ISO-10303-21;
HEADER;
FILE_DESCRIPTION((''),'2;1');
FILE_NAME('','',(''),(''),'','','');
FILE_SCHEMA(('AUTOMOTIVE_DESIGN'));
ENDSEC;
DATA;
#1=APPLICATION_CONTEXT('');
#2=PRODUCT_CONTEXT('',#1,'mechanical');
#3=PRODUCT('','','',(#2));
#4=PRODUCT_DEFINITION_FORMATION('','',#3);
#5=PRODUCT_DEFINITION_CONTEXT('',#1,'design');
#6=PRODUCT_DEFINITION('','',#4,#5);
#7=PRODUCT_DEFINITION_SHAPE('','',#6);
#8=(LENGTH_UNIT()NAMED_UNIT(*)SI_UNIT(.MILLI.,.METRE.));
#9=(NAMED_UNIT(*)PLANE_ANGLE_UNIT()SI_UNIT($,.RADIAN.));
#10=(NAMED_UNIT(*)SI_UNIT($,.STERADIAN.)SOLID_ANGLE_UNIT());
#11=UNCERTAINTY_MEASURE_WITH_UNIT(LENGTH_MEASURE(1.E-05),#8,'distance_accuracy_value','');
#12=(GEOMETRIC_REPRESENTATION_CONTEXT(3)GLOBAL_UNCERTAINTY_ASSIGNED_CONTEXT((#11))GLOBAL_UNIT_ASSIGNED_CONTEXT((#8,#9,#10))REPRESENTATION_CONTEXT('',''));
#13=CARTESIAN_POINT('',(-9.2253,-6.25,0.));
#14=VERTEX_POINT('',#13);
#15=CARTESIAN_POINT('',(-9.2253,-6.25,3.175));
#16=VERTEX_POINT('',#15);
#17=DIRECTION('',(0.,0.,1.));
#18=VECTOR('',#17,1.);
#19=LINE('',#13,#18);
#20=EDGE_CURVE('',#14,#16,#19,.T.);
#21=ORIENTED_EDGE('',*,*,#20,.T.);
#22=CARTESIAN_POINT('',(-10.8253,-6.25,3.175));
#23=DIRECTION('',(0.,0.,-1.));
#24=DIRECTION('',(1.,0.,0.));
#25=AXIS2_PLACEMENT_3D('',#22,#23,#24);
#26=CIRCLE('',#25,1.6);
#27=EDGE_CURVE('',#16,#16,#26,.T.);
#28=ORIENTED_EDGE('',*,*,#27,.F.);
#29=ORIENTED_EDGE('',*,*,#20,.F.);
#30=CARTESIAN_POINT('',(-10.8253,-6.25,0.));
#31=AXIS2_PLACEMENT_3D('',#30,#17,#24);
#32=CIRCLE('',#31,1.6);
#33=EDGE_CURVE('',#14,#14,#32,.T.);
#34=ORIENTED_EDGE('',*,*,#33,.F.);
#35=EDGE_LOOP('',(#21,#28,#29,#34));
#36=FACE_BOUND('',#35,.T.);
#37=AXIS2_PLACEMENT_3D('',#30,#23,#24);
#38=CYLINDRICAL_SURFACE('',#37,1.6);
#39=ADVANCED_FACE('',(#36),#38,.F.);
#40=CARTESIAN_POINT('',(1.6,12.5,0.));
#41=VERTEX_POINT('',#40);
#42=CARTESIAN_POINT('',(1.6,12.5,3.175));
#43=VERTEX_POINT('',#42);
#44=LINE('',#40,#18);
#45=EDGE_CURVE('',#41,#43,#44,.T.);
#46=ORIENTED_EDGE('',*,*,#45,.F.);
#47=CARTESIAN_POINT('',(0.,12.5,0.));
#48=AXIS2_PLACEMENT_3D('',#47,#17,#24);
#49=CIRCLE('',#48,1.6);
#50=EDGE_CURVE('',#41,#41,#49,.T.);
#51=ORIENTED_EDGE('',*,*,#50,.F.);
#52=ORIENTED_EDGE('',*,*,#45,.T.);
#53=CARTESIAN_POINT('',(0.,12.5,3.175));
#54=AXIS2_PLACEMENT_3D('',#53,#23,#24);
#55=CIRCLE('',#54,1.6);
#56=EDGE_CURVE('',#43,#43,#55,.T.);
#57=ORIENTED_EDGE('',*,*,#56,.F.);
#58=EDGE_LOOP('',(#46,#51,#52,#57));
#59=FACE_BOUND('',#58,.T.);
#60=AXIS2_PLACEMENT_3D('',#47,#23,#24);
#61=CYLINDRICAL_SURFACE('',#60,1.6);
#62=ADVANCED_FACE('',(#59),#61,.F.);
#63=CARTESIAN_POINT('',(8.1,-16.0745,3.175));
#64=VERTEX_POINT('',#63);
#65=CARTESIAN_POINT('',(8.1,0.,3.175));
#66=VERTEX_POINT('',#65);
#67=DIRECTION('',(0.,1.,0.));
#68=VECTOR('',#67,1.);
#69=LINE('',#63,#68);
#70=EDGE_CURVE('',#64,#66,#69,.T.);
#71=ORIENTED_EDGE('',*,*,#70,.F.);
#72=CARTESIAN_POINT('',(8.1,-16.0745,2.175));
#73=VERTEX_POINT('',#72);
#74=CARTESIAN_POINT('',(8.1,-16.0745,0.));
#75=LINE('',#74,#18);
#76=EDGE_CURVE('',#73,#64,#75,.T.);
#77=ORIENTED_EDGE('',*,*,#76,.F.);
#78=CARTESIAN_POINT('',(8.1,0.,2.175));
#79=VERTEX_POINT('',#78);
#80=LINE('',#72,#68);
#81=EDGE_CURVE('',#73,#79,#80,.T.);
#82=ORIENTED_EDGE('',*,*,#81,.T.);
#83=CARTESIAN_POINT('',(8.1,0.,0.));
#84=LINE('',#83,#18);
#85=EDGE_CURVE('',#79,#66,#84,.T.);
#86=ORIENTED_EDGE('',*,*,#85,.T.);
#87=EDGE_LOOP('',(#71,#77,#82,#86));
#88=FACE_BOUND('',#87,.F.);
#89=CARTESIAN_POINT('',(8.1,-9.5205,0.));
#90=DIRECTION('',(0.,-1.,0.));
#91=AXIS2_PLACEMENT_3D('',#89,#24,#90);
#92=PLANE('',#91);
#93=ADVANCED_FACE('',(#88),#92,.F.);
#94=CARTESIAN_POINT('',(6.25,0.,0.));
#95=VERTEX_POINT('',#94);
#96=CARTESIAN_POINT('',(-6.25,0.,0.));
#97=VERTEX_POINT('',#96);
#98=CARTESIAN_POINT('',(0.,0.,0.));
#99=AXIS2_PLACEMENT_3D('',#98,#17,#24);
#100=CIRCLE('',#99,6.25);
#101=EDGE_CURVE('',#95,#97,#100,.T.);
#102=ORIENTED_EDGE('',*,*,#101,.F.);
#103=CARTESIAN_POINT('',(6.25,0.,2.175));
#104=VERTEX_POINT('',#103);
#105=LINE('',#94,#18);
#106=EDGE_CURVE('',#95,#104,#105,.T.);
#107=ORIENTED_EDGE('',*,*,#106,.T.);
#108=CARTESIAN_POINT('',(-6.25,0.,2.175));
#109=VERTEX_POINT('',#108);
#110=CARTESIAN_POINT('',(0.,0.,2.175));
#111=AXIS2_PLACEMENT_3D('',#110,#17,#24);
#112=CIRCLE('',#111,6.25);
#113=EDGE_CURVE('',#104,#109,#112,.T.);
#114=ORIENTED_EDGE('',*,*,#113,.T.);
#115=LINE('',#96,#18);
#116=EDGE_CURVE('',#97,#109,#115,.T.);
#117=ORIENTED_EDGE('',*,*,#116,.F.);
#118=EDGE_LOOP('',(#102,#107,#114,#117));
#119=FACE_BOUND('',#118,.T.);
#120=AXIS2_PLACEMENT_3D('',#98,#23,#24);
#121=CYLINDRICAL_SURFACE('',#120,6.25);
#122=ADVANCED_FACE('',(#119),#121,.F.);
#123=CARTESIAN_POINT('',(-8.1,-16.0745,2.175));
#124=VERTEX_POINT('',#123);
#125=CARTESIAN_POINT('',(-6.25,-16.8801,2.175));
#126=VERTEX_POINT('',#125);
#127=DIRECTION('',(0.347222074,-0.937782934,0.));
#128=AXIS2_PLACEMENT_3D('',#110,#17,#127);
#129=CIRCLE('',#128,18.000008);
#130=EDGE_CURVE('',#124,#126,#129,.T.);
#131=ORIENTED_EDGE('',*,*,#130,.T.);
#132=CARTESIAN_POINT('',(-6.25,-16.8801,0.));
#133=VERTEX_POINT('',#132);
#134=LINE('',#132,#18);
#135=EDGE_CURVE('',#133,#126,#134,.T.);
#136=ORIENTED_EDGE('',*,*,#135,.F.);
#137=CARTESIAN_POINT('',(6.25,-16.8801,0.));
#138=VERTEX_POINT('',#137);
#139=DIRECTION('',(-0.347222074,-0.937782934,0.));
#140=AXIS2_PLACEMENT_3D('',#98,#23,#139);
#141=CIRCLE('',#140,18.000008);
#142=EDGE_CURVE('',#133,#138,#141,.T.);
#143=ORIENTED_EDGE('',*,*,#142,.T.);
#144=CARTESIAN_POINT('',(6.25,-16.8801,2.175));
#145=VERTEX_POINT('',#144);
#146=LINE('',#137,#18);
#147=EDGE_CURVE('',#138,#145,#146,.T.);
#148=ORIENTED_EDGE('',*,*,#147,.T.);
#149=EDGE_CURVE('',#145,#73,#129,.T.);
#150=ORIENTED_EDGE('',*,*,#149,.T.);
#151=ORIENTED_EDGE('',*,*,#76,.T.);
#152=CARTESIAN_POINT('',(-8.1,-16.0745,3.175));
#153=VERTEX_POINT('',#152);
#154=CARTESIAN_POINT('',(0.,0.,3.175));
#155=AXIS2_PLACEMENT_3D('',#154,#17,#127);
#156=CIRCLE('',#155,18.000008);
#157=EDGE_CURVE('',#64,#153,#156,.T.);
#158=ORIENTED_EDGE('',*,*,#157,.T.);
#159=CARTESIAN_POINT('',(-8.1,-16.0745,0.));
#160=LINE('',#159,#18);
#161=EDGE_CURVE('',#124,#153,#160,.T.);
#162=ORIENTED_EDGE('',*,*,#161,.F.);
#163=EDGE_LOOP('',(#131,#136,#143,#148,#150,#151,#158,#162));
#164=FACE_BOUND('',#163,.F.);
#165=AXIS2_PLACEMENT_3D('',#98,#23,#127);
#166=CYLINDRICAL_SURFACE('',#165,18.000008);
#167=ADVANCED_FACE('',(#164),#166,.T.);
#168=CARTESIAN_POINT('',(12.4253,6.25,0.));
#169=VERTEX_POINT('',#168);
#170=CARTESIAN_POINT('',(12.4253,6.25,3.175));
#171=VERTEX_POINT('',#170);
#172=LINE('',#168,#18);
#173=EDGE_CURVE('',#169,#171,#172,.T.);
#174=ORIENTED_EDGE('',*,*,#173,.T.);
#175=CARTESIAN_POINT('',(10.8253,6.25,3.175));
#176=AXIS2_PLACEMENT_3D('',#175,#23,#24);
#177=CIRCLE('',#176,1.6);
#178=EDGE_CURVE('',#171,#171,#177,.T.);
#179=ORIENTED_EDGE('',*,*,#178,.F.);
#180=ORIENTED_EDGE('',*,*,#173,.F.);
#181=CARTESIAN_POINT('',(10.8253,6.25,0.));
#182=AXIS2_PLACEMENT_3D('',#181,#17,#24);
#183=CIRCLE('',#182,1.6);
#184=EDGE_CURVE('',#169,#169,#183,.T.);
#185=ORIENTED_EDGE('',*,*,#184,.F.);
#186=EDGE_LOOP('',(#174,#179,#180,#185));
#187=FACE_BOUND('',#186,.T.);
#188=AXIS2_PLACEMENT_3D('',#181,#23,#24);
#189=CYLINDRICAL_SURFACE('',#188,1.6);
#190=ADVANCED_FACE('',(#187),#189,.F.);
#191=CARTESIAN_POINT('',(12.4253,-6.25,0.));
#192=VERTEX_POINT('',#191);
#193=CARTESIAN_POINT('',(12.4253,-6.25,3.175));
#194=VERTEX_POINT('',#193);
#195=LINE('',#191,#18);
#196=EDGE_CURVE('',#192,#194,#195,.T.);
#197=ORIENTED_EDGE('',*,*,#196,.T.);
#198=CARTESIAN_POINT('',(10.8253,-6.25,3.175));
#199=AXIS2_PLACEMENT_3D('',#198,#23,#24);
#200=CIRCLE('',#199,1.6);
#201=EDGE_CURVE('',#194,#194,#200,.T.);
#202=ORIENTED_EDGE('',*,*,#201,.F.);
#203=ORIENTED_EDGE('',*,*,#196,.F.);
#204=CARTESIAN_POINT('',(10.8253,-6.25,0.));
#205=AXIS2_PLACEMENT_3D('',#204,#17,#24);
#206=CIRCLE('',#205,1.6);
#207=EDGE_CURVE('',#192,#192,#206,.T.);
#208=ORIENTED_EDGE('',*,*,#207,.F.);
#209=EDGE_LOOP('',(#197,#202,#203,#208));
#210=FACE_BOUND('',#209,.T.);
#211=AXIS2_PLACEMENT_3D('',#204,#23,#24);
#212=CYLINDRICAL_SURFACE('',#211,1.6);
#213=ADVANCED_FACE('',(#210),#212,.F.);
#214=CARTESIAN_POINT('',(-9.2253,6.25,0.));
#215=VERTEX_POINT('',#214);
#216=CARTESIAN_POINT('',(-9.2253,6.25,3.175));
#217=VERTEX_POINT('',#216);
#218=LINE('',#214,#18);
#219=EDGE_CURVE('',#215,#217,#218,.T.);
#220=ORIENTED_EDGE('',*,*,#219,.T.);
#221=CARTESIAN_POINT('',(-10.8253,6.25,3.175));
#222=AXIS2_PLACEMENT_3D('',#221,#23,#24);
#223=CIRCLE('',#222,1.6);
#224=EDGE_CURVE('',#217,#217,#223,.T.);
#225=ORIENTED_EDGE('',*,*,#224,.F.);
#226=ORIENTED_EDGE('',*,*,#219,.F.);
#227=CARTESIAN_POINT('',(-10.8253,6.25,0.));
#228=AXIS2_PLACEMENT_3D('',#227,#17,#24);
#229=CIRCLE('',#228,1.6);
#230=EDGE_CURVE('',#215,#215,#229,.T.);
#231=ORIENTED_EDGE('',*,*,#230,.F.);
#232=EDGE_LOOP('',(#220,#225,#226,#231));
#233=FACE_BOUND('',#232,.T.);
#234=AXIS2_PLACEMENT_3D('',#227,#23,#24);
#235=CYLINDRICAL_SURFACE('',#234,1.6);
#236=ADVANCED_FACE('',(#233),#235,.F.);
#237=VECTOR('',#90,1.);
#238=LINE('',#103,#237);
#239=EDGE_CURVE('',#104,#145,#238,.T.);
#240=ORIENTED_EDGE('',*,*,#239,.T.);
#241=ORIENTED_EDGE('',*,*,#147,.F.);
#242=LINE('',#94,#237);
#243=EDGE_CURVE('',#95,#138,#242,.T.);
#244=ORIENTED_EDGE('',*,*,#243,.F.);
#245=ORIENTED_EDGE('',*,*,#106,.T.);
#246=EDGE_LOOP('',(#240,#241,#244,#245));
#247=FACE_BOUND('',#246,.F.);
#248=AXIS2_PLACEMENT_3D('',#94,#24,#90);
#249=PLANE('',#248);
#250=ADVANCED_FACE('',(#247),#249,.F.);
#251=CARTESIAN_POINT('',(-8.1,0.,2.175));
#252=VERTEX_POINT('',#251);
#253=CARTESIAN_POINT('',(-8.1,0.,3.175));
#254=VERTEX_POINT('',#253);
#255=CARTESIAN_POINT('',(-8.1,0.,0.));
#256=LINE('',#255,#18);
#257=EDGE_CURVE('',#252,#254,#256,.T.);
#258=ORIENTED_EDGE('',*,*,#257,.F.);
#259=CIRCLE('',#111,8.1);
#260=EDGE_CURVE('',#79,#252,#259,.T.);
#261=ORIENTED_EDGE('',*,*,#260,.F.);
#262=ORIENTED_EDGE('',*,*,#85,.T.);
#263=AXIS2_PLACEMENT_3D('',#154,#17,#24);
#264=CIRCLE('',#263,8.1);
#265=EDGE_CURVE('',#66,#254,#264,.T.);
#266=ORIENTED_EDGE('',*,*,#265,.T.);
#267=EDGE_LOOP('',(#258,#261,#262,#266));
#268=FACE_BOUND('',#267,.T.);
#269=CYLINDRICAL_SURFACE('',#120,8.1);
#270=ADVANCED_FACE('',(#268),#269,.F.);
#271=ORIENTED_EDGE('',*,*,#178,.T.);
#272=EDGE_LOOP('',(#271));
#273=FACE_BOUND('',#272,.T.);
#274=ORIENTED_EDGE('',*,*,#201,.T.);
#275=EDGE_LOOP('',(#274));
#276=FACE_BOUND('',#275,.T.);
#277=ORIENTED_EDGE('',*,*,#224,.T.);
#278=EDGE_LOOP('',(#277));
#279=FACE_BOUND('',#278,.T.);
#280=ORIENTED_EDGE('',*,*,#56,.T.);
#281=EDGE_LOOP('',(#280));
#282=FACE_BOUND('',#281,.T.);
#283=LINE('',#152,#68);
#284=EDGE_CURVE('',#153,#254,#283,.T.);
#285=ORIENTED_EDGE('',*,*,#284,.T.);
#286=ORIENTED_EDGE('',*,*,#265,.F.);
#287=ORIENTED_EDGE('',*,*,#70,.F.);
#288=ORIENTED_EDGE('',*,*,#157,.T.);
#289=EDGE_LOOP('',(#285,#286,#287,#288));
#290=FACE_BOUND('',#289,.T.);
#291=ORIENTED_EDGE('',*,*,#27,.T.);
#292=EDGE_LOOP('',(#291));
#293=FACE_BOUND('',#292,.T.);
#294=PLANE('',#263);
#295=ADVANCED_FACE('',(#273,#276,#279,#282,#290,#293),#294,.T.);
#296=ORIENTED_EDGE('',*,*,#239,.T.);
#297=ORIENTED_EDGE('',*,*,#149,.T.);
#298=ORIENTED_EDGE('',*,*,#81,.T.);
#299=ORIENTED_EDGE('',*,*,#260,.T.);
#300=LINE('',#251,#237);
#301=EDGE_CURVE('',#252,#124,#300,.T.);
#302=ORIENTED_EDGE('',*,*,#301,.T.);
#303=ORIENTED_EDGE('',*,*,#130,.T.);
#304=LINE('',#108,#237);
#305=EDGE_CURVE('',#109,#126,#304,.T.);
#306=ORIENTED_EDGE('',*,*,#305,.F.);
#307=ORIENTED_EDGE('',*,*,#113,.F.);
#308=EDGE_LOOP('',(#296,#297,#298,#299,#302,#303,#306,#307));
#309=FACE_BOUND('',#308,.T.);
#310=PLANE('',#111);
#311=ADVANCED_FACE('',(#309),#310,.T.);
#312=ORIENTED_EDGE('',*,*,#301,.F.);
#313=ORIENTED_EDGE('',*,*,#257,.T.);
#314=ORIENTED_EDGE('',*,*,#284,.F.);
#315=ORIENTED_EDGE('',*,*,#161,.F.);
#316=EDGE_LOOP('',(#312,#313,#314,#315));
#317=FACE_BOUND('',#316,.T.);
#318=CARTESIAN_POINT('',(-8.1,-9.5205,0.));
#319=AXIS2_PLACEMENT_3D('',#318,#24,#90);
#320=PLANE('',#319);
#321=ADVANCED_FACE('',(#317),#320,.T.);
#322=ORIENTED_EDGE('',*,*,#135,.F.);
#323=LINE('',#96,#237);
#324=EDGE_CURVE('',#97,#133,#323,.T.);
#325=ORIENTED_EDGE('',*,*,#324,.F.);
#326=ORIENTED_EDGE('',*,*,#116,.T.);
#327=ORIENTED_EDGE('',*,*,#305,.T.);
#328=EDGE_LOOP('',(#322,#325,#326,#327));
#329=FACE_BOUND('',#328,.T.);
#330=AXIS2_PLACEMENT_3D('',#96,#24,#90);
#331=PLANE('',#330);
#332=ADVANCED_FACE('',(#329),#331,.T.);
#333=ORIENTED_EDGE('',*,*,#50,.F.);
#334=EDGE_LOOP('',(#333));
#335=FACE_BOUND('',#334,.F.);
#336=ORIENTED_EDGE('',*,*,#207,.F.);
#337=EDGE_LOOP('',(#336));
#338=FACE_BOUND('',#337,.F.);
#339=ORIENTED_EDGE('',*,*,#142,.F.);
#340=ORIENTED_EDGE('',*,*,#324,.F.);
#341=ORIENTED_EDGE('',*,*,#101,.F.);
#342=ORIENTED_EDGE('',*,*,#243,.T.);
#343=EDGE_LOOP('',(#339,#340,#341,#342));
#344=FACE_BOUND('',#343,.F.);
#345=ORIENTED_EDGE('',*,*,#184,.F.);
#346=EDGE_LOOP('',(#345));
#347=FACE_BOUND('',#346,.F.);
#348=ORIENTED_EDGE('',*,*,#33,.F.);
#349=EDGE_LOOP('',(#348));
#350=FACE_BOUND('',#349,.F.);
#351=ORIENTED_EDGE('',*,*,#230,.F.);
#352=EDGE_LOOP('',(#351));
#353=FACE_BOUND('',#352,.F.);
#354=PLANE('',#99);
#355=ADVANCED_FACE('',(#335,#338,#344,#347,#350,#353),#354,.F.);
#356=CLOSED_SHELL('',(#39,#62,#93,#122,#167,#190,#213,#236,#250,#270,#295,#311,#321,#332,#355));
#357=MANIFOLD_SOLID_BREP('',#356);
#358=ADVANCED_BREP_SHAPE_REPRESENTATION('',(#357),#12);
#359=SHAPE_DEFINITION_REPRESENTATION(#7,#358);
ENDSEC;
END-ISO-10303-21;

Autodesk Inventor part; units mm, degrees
ref_plane "YZ Plane" through (0, 0, 0) normal (1, 0, 0) x (0, 1, 0)
ref_plane "XZ Plane" through (0, 0, 0) normal (0, 1, 0) x (-1, 0, 0)
ref_plane "XY Plane" through (0, 0, 0) normal (0, 0, 1) x (1, 0, 0)
sketch "Sketch1" plane through (0, 0, 0) normal (0, 0, 1) x (1, 0, 0)
  arc A0 (6.25, 0) -> (-6.25, 0) centre (0, 0) ccw
  arc A1 (8.1, 0) -> (-8.1, 0) centre (0, 0) ccw
  arc A2 (8.1, -9.5205) -> (-8.1, -9.5205) centre (0, 0) ccw
  arc A3 (6.25, -16.8801) -> (-6.25, -16.8801) centre (0, 0) ccw
  line L0 (-6.25, 0) -> (-6.25, -16.8801)
  line L1 (6.25, 0) -> (6.25, -16.8801)
  line L2 (8.1, 0) -> (8.1, -16.0745)
  line L3 (-8.1, 0) -> (-8.1, -16.0745)
  circle A4 centre (0, 12.5) radius 1.6
  circle A5 centre (-10.8253, 6.25) radius 1.6
  circle A6 centre (-10.8253, -6.25) radius 1.6
  circle A7 centre (0, -12.5) radius 1.6
  circle A8 centre (10.8253, -6.25) radius 1.6
  circle A9 centre (10.8253, 6.25) radius 1.6
  dimension "d0" = 12.5
  dimension "d2" = 16.2
  dimension "d3" = 25
  dimension "d4" = 36
  dimension "d5" = 3.2
  dimension "d8" = 360
extrude "Extrusion1" add sketch "Sketch1" along normal blind 2.175 contours A0 L0 A3 L3 A1 L2 L1
extrude "Extrusion2" add sketch "Sketch1" along normal blind 3.175 contours L2 A2 A8 A9 A4 A5 A6 L3 A3 | L2 A1 L3 A2 A6 A5 A4 A9 A8 | A8 A2 | A2 A8 | A6 A2 | A2 A6 | A9 A2 | A2 A9 | A5 A2 | A2 A5 | A4 A2 | A2 A4
extrude "Extrusion3" cut sketch "Sketch1" along normal through all contours A8 A2 | A2 A8 | A6 A2 | A2 A6 | A9 A2 | A2 A9 | A5 A2 | A2 A5 | A4 A2 | A2 A4
equation "\"d12\" = THICKA"
equation "\"THICKA\" = 3.175"
equation "\"THICKB\" = 6.731"
equation "\"THICKC\" = 12.7"
equation "\"BALLDIA\" = 12"
equation "\"MAGDIA\" = 9.5"
equation "\"THICKPLY\" = 5"
properties part number "Effector_GrooveMount"
